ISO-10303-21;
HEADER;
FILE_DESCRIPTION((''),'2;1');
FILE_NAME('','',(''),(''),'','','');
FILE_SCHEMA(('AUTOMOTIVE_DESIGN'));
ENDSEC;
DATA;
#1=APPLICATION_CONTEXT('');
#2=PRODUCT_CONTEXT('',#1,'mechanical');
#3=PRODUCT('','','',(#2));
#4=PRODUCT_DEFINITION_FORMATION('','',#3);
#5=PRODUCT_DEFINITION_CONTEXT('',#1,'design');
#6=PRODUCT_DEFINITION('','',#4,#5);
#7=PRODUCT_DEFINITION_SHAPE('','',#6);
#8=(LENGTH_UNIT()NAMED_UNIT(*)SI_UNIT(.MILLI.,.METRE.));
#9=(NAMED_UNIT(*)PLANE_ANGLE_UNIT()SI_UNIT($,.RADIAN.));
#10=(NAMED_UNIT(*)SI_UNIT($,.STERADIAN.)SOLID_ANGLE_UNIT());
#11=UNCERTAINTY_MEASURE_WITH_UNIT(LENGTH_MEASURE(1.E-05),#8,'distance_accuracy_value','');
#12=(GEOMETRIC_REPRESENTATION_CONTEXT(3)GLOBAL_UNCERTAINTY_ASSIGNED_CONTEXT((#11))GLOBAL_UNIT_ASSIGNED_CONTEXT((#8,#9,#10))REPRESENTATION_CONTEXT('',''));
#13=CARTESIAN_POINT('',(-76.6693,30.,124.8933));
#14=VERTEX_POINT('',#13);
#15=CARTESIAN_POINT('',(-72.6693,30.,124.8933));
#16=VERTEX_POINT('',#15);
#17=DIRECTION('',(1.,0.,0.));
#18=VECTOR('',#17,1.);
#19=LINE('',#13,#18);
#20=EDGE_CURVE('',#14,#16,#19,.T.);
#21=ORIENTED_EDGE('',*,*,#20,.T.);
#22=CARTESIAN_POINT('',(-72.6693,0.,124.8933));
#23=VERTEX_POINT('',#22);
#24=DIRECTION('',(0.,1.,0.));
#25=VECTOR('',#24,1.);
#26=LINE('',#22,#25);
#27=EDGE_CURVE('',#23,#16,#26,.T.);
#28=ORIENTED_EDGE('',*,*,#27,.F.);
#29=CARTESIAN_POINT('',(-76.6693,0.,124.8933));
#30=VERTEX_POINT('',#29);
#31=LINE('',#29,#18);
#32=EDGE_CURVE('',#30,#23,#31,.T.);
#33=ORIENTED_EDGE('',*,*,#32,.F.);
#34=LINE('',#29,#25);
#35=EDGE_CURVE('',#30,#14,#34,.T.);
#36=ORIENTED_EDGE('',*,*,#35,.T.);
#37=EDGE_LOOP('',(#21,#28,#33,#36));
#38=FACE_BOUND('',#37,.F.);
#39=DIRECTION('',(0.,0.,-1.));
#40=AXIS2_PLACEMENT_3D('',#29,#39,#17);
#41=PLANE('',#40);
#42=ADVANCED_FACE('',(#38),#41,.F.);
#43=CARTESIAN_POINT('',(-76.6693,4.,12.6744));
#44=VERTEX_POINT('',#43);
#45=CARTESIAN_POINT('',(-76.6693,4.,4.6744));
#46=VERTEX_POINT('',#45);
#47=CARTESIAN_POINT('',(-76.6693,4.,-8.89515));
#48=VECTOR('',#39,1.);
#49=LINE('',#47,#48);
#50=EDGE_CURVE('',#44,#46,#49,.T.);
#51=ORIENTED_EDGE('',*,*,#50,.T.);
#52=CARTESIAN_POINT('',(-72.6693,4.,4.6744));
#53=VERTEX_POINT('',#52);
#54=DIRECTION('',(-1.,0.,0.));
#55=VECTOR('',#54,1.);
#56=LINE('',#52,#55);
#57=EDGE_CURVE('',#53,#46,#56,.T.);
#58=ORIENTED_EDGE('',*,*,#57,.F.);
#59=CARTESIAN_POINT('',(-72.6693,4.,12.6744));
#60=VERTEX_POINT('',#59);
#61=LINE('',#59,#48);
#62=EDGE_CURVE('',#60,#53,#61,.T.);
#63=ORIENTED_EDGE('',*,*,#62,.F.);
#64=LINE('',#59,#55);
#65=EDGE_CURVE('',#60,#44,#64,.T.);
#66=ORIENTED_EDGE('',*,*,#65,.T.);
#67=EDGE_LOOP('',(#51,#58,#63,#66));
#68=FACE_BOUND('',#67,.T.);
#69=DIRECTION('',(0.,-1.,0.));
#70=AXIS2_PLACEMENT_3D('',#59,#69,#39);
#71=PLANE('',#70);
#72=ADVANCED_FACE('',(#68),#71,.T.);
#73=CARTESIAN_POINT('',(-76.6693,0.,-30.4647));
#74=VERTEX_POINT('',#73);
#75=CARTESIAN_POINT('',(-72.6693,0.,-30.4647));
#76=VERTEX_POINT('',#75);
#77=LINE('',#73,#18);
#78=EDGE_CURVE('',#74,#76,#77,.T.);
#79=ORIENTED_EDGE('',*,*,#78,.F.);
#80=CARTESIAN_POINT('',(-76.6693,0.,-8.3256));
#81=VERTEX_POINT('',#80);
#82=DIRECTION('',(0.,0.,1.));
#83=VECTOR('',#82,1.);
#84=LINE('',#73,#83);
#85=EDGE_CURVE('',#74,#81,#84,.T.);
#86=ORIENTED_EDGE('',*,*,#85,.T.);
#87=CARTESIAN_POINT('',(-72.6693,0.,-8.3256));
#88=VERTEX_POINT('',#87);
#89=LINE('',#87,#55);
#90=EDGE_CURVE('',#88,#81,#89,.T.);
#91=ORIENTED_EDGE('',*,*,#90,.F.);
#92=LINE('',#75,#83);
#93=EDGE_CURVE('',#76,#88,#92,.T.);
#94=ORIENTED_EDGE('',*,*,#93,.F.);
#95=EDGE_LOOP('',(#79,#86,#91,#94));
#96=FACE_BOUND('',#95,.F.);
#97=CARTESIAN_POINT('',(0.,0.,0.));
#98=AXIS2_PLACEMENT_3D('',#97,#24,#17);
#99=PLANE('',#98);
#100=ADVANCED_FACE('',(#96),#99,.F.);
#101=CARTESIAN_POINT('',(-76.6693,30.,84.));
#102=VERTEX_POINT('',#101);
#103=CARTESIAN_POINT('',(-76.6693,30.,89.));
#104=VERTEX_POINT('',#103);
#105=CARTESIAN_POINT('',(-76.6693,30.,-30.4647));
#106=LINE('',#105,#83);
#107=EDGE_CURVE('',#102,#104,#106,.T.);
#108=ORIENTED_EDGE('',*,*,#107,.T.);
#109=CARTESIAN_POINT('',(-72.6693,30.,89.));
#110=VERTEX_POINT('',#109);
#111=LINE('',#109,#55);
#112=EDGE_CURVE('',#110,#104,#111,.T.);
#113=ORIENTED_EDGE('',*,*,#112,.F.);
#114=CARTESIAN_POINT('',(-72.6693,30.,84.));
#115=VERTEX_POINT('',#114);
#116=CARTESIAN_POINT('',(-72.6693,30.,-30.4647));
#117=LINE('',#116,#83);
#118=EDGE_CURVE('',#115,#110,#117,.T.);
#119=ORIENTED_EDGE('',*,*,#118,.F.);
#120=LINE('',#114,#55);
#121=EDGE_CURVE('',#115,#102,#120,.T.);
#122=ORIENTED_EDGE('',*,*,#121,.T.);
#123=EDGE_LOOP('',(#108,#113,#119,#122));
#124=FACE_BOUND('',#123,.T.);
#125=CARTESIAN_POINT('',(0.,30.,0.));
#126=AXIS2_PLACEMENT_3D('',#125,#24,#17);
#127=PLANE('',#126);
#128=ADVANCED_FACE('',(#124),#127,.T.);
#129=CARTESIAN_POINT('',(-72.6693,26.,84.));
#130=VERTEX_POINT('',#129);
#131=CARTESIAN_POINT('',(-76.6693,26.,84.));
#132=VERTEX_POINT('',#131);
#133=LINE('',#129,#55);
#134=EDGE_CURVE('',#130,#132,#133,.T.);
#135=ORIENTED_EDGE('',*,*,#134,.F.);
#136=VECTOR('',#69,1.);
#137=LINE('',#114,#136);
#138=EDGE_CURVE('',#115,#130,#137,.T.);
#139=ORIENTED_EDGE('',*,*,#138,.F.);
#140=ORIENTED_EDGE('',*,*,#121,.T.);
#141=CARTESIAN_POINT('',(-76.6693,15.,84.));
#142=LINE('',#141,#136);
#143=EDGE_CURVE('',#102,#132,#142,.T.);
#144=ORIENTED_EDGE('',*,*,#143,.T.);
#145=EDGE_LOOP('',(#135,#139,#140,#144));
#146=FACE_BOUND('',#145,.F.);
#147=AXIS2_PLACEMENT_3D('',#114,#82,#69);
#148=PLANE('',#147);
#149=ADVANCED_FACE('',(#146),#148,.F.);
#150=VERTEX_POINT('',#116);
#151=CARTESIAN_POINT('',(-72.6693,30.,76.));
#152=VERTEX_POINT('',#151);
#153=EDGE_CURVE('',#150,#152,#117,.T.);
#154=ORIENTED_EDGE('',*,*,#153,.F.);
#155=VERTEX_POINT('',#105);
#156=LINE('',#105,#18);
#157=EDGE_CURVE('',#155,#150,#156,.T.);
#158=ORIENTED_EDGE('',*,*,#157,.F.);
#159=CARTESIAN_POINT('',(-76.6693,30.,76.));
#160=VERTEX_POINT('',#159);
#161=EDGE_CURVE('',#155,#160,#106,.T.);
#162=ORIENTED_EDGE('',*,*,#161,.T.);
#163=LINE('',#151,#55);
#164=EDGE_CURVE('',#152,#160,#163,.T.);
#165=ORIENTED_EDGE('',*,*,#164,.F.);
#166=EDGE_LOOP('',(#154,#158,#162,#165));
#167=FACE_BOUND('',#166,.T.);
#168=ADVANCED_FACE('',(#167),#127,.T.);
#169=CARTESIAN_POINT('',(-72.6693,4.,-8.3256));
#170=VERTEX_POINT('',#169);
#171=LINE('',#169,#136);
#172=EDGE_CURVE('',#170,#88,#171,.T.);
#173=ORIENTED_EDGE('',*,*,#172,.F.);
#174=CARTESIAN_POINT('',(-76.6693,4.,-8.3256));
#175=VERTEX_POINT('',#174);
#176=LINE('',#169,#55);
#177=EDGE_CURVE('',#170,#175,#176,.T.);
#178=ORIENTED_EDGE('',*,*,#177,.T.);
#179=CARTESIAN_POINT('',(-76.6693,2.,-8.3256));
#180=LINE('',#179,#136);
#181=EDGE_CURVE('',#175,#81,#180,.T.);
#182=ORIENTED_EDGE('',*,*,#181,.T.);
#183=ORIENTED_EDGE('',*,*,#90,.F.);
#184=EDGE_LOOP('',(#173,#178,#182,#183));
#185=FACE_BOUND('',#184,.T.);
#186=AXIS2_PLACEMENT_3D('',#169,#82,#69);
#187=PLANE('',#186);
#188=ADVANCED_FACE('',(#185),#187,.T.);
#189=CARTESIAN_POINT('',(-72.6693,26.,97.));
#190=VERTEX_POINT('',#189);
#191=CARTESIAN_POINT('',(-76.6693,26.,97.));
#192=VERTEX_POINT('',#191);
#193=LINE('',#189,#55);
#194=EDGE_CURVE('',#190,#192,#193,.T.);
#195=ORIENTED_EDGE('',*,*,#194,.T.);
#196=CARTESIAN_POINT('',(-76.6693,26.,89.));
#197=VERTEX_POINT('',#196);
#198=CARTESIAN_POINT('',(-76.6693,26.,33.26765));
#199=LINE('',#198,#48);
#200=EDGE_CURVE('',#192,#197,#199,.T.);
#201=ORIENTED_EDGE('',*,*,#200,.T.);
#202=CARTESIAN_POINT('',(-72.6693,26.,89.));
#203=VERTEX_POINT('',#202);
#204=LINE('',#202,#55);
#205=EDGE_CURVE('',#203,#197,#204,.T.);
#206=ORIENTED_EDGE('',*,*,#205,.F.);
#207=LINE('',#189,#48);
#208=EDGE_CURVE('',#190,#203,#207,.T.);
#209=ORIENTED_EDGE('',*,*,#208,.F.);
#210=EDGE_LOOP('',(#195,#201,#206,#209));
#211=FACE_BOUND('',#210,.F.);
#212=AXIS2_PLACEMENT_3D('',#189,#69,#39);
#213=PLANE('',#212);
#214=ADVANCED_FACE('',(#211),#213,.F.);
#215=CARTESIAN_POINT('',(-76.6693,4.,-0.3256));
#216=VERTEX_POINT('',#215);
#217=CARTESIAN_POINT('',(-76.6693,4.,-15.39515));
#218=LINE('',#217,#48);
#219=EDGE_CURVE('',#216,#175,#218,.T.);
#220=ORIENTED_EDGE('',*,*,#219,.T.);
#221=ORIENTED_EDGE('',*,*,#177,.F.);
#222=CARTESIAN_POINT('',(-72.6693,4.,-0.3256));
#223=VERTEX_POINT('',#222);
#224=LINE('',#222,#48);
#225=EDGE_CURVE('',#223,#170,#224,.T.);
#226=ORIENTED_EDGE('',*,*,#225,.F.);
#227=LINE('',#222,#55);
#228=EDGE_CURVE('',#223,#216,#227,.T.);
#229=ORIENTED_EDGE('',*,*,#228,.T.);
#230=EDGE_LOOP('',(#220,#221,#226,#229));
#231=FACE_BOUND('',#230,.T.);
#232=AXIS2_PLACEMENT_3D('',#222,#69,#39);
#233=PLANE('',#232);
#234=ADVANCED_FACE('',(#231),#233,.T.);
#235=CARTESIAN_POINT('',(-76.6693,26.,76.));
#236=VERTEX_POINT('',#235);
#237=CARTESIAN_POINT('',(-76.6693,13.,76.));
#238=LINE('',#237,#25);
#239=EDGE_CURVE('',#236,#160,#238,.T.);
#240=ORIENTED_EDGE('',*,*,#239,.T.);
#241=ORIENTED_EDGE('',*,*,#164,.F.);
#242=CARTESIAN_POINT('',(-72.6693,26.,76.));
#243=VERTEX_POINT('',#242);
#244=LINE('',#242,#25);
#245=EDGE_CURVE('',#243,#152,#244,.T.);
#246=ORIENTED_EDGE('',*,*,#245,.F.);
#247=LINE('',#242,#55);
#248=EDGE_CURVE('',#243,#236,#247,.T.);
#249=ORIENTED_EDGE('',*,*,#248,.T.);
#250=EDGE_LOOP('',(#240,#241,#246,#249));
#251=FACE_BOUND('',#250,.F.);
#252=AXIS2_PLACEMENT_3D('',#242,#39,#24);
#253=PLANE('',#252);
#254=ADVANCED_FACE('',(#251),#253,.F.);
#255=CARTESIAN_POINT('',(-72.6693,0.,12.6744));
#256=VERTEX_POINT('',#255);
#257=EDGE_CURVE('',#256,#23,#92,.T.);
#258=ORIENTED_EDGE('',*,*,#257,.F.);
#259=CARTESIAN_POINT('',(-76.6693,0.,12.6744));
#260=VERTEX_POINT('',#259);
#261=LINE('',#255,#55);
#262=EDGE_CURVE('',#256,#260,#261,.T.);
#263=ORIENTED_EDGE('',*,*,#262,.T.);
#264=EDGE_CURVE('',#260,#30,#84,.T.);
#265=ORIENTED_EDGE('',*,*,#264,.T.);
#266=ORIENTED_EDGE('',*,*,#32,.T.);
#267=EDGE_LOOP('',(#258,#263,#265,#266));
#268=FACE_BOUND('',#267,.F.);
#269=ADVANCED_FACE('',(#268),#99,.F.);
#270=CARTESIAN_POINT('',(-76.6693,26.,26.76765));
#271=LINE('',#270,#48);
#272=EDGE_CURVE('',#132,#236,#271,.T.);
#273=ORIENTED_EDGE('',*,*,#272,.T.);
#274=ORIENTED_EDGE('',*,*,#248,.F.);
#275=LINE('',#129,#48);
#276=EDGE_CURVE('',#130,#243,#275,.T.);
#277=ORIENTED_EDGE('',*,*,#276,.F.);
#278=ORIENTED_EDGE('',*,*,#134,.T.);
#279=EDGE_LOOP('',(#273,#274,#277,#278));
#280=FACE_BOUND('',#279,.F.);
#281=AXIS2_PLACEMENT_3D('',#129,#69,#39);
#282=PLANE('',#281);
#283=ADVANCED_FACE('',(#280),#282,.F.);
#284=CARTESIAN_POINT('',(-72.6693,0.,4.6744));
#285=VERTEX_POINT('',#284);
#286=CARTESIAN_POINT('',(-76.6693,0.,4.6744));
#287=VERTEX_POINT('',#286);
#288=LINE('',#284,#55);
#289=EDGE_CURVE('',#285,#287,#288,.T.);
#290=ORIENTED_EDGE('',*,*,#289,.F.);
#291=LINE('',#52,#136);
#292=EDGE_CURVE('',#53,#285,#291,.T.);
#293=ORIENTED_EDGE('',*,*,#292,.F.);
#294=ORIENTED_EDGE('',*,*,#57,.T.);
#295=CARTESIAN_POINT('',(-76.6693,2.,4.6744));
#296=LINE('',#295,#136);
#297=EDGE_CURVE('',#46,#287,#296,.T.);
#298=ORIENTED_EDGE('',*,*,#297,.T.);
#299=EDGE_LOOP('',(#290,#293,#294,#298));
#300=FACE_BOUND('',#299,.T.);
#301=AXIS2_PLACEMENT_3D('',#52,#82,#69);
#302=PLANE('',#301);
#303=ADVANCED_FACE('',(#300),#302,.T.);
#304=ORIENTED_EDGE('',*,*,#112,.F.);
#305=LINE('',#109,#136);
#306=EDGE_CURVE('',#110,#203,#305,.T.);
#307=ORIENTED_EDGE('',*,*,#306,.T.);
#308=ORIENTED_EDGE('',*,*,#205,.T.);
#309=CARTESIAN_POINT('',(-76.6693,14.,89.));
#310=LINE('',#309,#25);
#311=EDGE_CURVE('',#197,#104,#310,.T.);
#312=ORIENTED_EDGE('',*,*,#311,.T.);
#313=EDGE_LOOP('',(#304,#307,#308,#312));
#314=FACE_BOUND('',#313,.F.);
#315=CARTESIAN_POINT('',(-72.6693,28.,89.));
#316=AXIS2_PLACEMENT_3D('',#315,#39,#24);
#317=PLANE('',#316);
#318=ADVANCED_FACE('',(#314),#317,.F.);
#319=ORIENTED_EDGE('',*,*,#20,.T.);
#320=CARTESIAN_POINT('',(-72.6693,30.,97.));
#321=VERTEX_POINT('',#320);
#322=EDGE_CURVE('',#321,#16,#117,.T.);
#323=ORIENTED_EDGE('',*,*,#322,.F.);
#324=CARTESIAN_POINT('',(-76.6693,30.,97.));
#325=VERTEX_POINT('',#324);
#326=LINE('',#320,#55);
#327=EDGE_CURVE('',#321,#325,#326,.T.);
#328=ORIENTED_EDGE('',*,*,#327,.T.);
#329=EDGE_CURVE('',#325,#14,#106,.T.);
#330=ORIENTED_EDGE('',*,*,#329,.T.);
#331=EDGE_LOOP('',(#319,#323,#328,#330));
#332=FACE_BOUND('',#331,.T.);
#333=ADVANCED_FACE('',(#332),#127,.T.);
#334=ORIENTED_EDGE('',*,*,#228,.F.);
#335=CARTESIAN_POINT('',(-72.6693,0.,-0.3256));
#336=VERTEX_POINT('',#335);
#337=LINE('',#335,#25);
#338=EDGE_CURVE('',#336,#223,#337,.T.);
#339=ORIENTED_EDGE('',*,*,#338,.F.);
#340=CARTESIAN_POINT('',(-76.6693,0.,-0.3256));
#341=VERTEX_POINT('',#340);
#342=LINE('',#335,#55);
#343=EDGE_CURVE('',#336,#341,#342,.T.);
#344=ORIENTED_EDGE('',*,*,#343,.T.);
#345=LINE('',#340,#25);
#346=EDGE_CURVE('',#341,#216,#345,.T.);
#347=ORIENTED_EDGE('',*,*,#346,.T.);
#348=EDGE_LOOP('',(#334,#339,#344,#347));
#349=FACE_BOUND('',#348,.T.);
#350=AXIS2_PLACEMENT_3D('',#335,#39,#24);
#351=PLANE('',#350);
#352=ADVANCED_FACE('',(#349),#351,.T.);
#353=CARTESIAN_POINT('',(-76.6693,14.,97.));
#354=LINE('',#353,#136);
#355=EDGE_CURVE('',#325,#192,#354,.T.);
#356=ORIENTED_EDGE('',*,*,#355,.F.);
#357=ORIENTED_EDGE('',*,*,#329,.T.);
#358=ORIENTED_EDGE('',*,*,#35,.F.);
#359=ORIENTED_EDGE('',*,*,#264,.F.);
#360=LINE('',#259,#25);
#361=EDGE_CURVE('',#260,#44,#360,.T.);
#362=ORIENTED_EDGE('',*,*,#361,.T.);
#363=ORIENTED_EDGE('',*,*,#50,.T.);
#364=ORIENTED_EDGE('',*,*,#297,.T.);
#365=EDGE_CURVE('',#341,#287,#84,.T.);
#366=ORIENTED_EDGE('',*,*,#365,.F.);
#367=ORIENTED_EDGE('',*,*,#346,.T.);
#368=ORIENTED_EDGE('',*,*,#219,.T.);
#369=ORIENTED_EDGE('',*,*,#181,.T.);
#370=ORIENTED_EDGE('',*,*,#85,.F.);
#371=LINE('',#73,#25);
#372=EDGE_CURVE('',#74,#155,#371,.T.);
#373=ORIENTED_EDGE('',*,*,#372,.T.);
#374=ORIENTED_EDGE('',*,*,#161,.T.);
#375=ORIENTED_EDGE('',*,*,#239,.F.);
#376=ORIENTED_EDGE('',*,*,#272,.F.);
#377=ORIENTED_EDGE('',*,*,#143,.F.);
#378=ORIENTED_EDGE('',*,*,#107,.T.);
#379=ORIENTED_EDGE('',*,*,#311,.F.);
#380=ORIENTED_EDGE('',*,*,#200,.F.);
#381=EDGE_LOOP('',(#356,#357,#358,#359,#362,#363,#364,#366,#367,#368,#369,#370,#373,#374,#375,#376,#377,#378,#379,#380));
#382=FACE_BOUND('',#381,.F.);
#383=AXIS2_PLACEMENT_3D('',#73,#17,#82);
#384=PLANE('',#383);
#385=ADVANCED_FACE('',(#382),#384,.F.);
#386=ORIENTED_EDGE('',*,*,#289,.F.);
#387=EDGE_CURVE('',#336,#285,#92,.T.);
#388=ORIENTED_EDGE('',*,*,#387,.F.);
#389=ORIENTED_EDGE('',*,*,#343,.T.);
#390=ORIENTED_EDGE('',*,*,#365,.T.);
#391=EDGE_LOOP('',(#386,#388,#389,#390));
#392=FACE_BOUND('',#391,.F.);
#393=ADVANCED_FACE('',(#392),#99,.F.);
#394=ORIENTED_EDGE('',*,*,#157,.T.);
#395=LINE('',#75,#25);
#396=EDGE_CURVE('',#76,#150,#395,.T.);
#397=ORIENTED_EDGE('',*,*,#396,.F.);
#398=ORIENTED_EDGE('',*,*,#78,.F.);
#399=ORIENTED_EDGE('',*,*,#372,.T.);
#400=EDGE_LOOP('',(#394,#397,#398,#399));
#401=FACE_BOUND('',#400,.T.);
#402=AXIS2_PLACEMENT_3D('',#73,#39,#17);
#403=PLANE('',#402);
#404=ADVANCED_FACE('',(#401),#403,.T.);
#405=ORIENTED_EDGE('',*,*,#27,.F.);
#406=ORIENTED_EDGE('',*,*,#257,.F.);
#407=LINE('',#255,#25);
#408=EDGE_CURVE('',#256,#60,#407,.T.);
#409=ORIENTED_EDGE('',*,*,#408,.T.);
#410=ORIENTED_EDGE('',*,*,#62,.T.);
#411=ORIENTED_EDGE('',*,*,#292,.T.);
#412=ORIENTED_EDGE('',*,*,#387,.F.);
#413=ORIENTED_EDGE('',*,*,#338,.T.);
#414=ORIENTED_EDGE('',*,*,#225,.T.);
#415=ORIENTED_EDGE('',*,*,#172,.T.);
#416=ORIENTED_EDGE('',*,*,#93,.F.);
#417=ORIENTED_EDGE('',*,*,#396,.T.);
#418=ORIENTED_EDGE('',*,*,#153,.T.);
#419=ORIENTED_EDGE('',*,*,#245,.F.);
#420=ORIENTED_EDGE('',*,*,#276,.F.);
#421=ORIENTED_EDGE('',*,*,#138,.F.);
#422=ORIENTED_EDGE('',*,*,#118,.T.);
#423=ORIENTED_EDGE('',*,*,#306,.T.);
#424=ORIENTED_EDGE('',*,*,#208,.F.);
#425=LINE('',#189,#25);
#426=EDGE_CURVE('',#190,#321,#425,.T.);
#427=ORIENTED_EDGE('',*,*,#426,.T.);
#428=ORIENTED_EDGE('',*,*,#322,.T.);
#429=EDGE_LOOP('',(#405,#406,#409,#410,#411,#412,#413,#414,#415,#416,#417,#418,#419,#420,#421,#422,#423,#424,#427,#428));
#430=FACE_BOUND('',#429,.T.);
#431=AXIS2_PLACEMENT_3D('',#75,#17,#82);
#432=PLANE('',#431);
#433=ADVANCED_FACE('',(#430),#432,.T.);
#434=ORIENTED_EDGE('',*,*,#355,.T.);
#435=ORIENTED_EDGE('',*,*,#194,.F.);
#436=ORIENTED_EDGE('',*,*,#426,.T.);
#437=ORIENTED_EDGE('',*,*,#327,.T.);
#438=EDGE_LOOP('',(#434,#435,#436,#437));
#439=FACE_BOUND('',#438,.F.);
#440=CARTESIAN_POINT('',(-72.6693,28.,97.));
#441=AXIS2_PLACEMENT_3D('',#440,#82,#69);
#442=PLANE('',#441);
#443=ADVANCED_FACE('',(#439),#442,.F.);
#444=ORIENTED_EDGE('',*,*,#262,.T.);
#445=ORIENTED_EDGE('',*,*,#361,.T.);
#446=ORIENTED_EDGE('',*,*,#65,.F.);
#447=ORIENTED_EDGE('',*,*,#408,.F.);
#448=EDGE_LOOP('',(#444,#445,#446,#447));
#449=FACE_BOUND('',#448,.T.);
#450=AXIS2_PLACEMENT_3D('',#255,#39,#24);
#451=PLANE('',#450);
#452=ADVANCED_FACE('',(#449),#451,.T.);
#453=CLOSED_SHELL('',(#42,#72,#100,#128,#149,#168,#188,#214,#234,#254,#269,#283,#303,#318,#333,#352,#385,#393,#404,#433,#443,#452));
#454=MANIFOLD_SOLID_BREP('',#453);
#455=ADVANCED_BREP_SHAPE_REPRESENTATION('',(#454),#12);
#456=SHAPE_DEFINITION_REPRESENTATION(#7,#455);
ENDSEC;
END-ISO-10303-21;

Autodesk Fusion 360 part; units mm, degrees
sketch "Boceto1" plane through (0, 0, 0) normal (0, 1, 0) x (1, 0, 0)
  line L0 (-76.6693, 30.4647) -> (-76.6693, -124.8933)
  line L1 (-95, 0) -> (105, 0) construction
  line L2 (-76.6693, 30.4647) -> (-72.6693, 30.4647)
  line L3 (-72.6693, 30.4647) -> (-72.6693, -124.8933)
  line L4 (-76.6693, -124.8933) -> (-72.6693, -124.8933)
  dimension "d59" = 4
extrude "Extruir1" add sketch "Boceto1" along normal blind 30
sketch "Boceto2" plane through (-72.6693, 0, 0) normal (1, 0, 0) x (0, 0, -1)
  line L0 (-124.8933, 0) -> (30.4647, 0)
  line L1 (30.4647, 0) -> (30.4647, 30)
  line L2 (30.4647, 30) -> (-124.8933, 30)
  line L3 (-124.8933, 30) -> (-124.8933, 0)
  line L4 (-76, 30) -> (-84, 30)
  line L5 (-84, 26) -> (-76, 26)
  line L6 (-76, 26) -> (-76, 30)
  line L7 (-89, 30) -> (-97, 30)
  line L8 (-97, 30) -> (-97, 28)
  line L9 (-89, 28) -> (-89, 30)
  line L10 (-97, 26) -> (-89, 26)
  line L11 (-89, 26) -> (-89, 30)
  line L12 (-76, 30) -> (-84, 30)
  line L13 (-97, 30) -> (-97, 26)
  line L14 (8.3256, 0) -> (0.3256, 0)
  line L15 (0.3256, 0) -> (0.3256, 4)
  line L16 (0.3256, 4) -> (8.3256, 4)
  line L17 (8.3256, 4) -> (8.3256, 0)
  line L18 (-4.6744, 0) -> (-12.6744, 0)
  line L19 (-12.6744, 0) -> (-12.6744, 4)
  line L20 (-12.6744, 4) -> (-4.6744, 4)
  line L21 (-4.6744, 4) -> (-4.6744, 0)
  line L22 (-84, 30) -> (-84, 26)
  dimension "d43" = 8
  dimension "d46" = 8
  dimension "d47" = 4
  dimension "d50" = 4
  dimension "d51" = 8
  dimension "d52" = 5
  dimension "d53" = 4
  dimension "d54" = 5
  dimension "d55" = 8
  dimension "d56" = 8
  dimension "d57" = 4
extrude "Extruir2" cut sketch "Boceto2" against normal through all contours L0 L18 L19 L20 L21 | L2 L7 L8 L9 L10 L11 L13 | L0 L14 L15 L16 L17 | L2 L4 L5 L6 L12 L22
sketch "Boceto3" plane through (-72.6693, 0, 0) normal (1, 0, 0) x (0, 0, -1)
  line L0 (-12.6744, 0) -> (-12.6744, 4)
  line L1 (-12.6744, 4) -> (-4.6744, 4)
  line L2 (-4.6744, 4) -> (-4.6744, 0)
  line L3 (-4.6744, 0) -> (0.3256, 0)
  line L4 (0.3256, 0) -> (0.3256, 4)
  line L5 (0.3256, 4) -> (8.3256, 4)
  line L6 (8.3256, 4) -> (8.3256, 0)
  line L7 (8.3256, 0) -> (30.4647, 0)
  line L8 (30.4647, 0) -> (30.4647, 30)
  line L9 (30.4647, 30) -> (-76, 30)
  line L10 (-76, 30) -> (-76, 26)
  line L11 (-76, 26) -> (-84, 26)
  line L12 (-84, 26) -> (-84, 30)
  line L13 (-84, 30) -> (-89, 30)
  line L14 (-89, 30) -> (-89, 26)
  line L15 (-89, 26) -> (-97, 26)
  line L16 (-97, 26) -> (-97, 30)
  line L17 (-97, 30) -> (-124.8933, 30)
  line L18 (-124.8933, 30) -> (-124.8933, 0)
  line L19 (-124.8933, 0) -> (-12.6744, 0)
  line L20 (-4.6744, 0) -> (-4.6744, 4)
  line L21 (-4.6744, 4) -> (-12.6744, 4)
  line L22 (-12.6744, 4) -> (-12.6744, 0)
  line L23 (-97, 30) -> (-97, 26)
  line L24 (-97, 26) -> (-89, 26)
  line L25 (-89, 26) -> (-89, 30)
  line L26 (8.3256, 0) -> (8.3256, 4)
  line L27 (8.3256, 4) -> (0.3256, 4)
  line L28 (0.3256, 4) -> (0.3256, 0)
  line L29 (-84, 30) -> (-84, 26)
  line L30 (-84, 26) -> (-76, 26)
  line L31 (-76, 26) -> (-76, 30)
  line L32 (30.4647, 0) -> (8.3256, 0)
  line L33 (0.3256, 0) -> (-4.6744, 0)
  line L34 (-97, 30) -> (-124.8933, 30)
  line L35 (30.4647, 30) -> (-76, 30)
  line L36 (30.4647, 0) -> (30.4647, 30)
  line L37 (-124.8933, 0) -> (-124.8933, 30)
  line L38 (-12.6744, 0) -> (-124.8933, 0)
  line L39 (-84, 30) -> (-89, 30)
